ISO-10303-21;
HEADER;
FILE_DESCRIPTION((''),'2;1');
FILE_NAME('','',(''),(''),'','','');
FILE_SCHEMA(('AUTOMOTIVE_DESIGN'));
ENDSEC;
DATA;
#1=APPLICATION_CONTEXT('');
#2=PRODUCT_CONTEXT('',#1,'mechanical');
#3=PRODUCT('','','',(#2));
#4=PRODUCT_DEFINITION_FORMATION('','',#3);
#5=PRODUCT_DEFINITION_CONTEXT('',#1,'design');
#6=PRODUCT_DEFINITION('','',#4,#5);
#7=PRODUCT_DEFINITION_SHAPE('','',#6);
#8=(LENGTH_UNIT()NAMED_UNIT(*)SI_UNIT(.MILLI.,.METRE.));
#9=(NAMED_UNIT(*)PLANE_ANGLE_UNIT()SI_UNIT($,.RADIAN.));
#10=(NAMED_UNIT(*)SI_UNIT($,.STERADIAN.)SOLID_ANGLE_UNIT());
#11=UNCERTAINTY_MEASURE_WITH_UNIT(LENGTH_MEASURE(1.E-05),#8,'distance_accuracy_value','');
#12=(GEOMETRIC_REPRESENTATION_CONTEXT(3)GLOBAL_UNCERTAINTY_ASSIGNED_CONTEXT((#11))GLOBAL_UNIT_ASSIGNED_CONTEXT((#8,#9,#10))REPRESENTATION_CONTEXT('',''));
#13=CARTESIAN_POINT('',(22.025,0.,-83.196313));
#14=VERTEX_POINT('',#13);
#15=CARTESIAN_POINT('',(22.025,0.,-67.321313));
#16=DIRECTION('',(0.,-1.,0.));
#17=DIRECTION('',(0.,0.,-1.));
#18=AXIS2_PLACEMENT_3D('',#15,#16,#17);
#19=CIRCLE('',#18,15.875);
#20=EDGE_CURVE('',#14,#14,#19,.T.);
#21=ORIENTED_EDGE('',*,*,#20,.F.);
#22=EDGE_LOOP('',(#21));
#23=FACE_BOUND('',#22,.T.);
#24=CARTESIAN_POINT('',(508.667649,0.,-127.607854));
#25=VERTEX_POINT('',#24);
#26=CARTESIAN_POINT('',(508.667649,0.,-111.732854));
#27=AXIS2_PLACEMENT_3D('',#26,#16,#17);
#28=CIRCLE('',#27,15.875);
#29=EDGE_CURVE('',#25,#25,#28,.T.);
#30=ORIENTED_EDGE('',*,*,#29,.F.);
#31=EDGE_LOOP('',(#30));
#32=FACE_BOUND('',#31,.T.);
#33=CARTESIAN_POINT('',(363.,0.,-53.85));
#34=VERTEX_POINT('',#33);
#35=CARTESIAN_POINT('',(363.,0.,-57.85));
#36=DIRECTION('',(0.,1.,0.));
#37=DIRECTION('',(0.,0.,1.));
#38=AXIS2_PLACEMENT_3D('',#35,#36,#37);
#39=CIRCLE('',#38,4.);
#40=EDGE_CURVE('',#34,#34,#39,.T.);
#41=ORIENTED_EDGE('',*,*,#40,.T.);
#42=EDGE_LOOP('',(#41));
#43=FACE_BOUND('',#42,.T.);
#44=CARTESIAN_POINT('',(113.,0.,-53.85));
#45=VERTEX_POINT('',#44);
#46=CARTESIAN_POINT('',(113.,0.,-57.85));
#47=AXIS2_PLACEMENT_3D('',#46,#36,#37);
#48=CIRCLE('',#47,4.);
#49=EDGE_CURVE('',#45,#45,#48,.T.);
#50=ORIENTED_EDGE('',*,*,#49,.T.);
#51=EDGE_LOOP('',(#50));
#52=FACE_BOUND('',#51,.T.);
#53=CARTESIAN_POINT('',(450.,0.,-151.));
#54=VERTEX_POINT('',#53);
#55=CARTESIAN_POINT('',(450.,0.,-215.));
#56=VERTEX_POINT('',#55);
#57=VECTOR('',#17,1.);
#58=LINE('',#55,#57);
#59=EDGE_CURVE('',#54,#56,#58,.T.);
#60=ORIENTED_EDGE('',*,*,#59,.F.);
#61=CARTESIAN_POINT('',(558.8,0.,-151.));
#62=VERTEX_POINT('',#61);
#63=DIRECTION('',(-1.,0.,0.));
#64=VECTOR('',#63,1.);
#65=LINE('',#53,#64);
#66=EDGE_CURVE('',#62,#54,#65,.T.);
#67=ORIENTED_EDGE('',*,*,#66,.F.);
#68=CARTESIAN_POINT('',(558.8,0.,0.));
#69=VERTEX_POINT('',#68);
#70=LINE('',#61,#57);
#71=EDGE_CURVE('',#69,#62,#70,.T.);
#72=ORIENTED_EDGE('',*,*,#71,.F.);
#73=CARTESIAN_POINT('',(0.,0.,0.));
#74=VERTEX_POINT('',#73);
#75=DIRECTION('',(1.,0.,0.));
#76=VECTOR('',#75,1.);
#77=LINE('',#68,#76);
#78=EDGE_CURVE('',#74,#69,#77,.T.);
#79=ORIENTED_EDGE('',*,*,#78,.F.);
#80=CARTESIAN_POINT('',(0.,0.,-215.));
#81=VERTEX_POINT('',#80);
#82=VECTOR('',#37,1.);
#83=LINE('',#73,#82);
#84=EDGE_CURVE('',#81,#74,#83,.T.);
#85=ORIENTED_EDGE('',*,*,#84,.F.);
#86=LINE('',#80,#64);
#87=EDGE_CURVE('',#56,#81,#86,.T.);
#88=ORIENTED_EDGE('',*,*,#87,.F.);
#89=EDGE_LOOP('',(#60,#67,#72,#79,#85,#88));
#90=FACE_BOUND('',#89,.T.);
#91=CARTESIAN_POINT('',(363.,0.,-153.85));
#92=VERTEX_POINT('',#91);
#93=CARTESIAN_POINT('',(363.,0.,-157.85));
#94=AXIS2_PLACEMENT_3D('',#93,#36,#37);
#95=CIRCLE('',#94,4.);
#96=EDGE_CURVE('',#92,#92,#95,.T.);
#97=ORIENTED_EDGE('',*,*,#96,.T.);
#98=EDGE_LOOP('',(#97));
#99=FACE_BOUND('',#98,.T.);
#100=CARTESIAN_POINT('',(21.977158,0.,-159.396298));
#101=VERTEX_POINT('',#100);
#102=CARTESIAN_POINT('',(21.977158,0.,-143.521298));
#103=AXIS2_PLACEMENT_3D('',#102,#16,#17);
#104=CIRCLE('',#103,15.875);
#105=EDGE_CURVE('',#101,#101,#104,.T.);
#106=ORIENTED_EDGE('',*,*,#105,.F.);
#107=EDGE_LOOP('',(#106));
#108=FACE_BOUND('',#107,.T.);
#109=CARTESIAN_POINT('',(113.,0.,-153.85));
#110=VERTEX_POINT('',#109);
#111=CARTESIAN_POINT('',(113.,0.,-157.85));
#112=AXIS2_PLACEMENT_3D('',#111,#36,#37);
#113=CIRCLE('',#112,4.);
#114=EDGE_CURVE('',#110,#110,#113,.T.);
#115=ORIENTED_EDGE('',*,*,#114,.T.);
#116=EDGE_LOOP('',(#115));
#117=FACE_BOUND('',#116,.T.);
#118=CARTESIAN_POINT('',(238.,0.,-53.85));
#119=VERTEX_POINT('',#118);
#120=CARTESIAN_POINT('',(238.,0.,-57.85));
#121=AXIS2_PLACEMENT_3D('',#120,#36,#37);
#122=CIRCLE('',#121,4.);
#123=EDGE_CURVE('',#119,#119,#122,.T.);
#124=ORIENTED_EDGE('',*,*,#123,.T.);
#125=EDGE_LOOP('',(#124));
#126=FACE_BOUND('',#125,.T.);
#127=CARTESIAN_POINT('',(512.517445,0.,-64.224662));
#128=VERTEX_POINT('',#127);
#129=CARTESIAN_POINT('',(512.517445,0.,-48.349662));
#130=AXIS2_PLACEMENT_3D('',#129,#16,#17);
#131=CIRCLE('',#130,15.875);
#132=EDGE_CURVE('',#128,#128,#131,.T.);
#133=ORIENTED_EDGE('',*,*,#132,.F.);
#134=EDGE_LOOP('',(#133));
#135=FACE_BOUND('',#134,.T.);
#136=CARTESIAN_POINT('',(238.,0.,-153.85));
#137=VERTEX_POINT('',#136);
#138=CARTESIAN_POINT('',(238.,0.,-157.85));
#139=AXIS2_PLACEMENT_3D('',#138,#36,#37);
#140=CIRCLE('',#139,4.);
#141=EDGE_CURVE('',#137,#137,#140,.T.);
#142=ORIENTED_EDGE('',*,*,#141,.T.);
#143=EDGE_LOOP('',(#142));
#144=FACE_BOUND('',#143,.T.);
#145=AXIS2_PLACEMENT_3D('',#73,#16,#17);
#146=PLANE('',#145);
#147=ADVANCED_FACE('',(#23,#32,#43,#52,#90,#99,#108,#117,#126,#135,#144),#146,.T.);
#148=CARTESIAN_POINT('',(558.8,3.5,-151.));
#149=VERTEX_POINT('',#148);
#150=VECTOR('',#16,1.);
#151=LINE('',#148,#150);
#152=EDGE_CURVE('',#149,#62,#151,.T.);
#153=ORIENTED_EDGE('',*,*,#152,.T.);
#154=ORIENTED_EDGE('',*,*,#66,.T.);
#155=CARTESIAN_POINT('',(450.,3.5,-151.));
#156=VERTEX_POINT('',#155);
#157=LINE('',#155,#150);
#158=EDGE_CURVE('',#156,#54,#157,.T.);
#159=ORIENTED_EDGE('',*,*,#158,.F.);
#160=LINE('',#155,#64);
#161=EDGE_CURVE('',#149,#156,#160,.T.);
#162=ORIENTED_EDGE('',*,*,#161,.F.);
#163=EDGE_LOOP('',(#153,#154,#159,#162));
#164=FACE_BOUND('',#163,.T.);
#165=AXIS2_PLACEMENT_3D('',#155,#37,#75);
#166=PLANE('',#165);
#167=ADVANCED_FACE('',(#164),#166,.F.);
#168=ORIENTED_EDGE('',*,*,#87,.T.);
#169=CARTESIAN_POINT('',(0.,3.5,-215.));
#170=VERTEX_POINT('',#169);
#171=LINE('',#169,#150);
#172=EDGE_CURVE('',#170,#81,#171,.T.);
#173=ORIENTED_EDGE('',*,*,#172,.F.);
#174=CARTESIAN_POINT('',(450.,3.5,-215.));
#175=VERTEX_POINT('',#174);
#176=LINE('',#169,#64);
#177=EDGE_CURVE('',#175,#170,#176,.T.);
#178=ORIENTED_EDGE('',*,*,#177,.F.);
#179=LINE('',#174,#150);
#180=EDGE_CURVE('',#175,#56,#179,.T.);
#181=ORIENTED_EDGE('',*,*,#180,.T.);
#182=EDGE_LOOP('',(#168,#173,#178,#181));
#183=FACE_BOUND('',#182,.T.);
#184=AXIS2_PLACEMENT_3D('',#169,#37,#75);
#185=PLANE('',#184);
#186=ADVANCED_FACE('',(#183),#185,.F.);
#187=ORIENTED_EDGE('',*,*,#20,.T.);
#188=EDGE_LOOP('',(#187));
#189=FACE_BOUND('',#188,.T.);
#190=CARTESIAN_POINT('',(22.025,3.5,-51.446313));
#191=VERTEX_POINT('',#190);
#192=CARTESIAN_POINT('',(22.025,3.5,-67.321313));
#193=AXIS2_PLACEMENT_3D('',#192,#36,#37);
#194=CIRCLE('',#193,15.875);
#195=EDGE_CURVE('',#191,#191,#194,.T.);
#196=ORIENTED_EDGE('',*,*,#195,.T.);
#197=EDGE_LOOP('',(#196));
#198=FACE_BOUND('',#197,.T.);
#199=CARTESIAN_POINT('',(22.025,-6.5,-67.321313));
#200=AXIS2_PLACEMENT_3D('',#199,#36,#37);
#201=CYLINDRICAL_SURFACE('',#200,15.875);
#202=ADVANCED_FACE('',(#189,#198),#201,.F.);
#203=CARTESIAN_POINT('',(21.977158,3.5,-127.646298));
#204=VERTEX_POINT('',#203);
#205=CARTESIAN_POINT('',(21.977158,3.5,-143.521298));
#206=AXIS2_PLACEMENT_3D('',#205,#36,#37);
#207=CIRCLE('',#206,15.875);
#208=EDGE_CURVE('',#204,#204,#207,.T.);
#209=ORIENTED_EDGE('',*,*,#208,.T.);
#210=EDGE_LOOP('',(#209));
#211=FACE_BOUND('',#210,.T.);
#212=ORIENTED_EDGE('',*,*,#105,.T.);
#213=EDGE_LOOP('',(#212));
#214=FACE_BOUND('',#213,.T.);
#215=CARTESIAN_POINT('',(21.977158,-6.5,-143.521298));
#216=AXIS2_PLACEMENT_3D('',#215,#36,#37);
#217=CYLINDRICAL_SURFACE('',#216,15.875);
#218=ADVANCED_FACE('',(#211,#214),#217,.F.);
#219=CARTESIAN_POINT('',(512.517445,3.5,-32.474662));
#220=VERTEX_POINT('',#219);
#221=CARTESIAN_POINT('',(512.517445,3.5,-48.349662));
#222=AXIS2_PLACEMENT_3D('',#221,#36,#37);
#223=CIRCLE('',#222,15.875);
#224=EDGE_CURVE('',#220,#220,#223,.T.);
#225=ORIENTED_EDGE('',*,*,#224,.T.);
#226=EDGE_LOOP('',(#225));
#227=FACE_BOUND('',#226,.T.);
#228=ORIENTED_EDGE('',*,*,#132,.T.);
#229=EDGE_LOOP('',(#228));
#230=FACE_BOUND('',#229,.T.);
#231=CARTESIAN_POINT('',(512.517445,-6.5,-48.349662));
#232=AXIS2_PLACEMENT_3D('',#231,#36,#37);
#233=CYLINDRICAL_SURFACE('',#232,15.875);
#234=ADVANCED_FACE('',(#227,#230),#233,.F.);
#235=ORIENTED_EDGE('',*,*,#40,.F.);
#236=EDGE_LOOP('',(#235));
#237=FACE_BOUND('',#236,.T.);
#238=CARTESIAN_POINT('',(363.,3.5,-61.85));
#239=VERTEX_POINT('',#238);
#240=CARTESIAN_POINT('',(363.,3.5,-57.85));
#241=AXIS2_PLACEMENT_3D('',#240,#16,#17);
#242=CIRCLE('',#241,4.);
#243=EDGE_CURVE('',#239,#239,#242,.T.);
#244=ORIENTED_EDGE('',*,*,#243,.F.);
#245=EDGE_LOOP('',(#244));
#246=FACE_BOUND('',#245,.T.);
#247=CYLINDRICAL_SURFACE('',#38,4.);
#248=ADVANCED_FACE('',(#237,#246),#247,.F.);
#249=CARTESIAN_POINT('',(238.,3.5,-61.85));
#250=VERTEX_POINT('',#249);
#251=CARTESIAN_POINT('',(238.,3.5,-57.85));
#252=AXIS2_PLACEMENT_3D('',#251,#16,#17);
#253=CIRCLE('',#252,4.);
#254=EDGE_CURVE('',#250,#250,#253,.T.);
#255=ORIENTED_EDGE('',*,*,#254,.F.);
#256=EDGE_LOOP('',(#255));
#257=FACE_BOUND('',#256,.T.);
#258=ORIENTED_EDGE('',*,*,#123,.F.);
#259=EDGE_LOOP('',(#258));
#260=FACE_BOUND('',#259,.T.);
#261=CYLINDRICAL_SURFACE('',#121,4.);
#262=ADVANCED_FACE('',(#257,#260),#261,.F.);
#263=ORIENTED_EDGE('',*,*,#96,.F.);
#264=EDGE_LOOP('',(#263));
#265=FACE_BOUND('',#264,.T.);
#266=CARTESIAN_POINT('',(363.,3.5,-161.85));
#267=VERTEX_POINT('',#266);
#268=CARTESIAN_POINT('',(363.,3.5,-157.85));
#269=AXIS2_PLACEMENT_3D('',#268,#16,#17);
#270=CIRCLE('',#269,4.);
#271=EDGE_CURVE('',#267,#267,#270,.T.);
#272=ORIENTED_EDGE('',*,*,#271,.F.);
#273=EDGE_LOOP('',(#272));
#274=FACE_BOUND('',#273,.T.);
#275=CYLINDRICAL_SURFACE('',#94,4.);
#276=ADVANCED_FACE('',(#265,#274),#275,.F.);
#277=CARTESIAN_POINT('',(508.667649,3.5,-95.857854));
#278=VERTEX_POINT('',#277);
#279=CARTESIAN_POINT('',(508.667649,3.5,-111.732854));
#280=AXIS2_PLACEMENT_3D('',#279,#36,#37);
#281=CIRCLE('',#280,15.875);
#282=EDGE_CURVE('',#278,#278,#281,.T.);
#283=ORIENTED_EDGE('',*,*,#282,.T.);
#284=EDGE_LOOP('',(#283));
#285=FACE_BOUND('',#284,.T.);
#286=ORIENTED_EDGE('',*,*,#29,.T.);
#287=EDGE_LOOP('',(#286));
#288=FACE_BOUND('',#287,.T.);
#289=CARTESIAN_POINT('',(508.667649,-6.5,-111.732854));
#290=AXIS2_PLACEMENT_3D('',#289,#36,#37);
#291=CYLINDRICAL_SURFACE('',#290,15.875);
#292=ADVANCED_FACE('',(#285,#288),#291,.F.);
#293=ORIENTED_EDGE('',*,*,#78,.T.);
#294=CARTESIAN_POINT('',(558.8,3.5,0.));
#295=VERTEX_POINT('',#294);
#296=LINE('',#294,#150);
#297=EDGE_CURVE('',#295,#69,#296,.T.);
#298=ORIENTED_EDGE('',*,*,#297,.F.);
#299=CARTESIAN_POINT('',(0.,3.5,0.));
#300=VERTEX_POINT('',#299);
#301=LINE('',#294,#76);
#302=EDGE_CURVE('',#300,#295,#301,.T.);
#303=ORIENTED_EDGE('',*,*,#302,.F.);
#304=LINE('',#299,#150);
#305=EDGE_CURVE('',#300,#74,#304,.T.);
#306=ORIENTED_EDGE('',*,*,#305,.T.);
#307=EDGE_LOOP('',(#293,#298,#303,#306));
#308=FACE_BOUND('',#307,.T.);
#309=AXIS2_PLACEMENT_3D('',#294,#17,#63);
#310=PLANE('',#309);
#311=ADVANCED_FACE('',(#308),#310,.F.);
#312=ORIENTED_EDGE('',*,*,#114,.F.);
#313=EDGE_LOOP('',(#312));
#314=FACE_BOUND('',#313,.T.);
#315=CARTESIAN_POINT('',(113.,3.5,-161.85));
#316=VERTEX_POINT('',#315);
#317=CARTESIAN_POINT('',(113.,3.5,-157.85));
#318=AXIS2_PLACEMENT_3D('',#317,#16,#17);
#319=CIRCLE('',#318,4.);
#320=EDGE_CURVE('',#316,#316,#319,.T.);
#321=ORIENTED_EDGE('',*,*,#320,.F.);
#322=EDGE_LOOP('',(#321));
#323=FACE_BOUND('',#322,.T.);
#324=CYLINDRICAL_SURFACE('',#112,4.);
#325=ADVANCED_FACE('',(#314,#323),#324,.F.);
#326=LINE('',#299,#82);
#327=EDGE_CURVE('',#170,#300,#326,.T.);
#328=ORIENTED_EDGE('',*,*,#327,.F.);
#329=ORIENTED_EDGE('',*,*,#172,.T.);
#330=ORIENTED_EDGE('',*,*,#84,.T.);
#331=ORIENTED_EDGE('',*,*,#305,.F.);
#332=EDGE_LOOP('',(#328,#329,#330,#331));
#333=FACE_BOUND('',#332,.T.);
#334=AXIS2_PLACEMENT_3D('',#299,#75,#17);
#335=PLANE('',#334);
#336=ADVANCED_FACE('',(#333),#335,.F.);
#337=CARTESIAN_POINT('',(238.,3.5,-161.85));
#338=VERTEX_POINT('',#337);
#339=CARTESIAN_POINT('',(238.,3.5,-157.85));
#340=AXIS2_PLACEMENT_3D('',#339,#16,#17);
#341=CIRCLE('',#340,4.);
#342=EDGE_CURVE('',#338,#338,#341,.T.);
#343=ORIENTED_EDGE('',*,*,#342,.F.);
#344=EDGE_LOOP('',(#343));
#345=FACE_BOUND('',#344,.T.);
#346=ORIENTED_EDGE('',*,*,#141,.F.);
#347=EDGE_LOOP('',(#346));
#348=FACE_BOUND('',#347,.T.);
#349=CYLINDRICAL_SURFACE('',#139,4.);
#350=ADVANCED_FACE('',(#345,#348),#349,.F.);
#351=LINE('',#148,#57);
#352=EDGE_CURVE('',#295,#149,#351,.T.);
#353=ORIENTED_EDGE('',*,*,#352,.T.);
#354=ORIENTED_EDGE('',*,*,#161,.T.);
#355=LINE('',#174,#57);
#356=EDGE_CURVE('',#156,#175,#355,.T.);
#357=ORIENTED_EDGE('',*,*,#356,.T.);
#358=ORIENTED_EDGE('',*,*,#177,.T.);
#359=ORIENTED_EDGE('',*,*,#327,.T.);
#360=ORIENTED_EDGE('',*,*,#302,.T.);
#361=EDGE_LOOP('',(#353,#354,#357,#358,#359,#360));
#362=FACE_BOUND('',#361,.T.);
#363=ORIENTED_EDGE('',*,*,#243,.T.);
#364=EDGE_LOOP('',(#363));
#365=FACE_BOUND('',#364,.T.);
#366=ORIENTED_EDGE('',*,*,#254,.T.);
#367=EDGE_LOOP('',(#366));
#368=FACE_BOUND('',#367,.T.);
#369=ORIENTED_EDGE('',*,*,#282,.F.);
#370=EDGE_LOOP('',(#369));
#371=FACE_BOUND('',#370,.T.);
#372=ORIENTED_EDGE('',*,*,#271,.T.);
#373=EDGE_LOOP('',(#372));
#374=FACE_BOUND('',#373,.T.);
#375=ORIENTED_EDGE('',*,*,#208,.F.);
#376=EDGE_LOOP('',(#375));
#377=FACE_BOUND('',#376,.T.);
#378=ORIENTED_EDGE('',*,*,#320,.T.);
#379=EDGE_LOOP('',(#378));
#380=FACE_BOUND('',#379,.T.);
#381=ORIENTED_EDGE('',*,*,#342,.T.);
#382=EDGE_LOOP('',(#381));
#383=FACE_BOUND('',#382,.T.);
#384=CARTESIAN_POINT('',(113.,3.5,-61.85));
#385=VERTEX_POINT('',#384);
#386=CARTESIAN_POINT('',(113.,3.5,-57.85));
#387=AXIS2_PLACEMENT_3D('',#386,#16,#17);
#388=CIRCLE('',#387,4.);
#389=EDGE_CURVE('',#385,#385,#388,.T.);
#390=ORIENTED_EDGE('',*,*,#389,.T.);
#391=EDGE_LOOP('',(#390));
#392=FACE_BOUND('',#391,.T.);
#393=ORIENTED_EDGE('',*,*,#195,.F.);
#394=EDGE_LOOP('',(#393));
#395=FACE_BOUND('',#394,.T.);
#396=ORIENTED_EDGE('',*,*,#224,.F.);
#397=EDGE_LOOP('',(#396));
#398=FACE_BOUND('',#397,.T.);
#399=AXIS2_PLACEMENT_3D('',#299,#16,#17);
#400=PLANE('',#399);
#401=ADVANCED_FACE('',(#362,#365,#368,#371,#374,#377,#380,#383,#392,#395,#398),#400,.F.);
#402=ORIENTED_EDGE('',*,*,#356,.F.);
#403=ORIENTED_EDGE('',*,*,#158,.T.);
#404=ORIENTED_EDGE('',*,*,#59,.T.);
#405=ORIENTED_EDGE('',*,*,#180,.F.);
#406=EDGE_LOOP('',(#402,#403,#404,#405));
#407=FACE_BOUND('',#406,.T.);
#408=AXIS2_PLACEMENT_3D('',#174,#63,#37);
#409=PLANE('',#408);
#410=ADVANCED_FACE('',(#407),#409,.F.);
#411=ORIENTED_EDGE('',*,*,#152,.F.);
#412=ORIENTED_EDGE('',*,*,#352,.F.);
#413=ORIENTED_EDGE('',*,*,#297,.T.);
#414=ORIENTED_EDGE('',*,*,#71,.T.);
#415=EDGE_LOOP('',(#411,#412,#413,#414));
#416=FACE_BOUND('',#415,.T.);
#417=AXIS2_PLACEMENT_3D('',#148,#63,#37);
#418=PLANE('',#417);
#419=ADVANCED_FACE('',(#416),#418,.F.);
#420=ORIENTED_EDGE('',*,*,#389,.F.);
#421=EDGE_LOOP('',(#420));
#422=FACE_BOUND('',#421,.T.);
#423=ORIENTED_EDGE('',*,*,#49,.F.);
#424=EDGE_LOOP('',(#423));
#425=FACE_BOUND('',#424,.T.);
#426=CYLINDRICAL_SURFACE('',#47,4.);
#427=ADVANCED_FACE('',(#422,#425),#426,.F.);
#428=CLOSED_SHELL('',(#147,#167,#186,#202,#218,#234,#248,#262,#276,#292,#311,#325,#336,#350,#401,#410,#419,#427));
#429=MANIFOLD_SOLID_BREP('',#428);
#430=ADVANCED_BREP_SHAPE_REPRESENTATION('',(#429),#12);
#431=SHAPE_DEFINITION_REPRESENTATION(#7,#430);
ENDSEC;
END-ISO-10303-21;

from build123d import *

# Parameters (mm, degrees)
BOSS_EXTRUDE1_DEPTH     = 3.5
CUT_EXTRUDE1_DEPTH      = 599.744260933
CUT_EXTRUDE1_DEPTH_BACK = 599.744260933
SKETCH2_R               = 4
SKETCH3_R               = 15.875
CUT_EXTRUDE2_DEPTH      = 10


with BuildPart() as part:
    # Sketch1 → Boss-Extrude1 (new body)
    with BuildSketch(Plane(origin=(0, 0, 0), x_dir=(1, 0, 0), z_dir=(0, 1, 0))):
        Polygon((0, 0), (0, 215), (450, 215), (450, 151), (558.8, 151), (558.8, 0), align=None)
    extrude(amount=BOSS_EXTRUDE1_DEPTH)

    # Sketch2 → Cut-Extrude1 (cut, two sides: drawn at the far end of the back side and taken through both)
    with BuildSketch(Plane(origin=(0, 3.5, 0), x_dir=(1, 0, 0), z_dir=(0, 1, 0)).offset(-CUT_EXTRUDE1_DEPTH_BACK)):
        with Locations((113, 157.85)):
            Circle(SKETCH2_R)
        with Locations((238, 157.85)):
            Circle(SKETCH2_R)
        with Locations((363, 157.85)):
            Circle(SKETCH2_R)
        with Locations((363, 57.85)):
            Circle(SKETCH2_R)
        with Locations((238, 57.85)):
            Circle(SKETCH2_R)
        with Locations((113, 57.85)):
            Circle(SKETCH2_R)
    extrude(amount=CUT_EXTRUDE1_DEPTH + CUT_EXTRUDE1_DEPTH_BACK, mode=Mode.SUBTRACT)

    # Sketch3 → Cut-Extrude2 (cut)
    with BuildSketch(Plane(origin=(0, 3.5, 0), x_dir=(1, 0, 0), z_dir=(0, 1, 0))):
        with Locations((21.977158482, 143.521297983)):
            Circle(SKETCH3_R)
        with Locations((22.025, 67.321313002)):
            Circle(SKETCH3_R)
        with Locations((512.5174446, 48.349661731)):
            Circle(SKETCH3_R)
        with Locations((508.667649246, 111.732854107)):
            Circle(SKETCH3_R)
    extrude(amount=-CUT_EXTRUDE2_DEPTH, mode=Mode.SUBTRACT)


solid = part.part
